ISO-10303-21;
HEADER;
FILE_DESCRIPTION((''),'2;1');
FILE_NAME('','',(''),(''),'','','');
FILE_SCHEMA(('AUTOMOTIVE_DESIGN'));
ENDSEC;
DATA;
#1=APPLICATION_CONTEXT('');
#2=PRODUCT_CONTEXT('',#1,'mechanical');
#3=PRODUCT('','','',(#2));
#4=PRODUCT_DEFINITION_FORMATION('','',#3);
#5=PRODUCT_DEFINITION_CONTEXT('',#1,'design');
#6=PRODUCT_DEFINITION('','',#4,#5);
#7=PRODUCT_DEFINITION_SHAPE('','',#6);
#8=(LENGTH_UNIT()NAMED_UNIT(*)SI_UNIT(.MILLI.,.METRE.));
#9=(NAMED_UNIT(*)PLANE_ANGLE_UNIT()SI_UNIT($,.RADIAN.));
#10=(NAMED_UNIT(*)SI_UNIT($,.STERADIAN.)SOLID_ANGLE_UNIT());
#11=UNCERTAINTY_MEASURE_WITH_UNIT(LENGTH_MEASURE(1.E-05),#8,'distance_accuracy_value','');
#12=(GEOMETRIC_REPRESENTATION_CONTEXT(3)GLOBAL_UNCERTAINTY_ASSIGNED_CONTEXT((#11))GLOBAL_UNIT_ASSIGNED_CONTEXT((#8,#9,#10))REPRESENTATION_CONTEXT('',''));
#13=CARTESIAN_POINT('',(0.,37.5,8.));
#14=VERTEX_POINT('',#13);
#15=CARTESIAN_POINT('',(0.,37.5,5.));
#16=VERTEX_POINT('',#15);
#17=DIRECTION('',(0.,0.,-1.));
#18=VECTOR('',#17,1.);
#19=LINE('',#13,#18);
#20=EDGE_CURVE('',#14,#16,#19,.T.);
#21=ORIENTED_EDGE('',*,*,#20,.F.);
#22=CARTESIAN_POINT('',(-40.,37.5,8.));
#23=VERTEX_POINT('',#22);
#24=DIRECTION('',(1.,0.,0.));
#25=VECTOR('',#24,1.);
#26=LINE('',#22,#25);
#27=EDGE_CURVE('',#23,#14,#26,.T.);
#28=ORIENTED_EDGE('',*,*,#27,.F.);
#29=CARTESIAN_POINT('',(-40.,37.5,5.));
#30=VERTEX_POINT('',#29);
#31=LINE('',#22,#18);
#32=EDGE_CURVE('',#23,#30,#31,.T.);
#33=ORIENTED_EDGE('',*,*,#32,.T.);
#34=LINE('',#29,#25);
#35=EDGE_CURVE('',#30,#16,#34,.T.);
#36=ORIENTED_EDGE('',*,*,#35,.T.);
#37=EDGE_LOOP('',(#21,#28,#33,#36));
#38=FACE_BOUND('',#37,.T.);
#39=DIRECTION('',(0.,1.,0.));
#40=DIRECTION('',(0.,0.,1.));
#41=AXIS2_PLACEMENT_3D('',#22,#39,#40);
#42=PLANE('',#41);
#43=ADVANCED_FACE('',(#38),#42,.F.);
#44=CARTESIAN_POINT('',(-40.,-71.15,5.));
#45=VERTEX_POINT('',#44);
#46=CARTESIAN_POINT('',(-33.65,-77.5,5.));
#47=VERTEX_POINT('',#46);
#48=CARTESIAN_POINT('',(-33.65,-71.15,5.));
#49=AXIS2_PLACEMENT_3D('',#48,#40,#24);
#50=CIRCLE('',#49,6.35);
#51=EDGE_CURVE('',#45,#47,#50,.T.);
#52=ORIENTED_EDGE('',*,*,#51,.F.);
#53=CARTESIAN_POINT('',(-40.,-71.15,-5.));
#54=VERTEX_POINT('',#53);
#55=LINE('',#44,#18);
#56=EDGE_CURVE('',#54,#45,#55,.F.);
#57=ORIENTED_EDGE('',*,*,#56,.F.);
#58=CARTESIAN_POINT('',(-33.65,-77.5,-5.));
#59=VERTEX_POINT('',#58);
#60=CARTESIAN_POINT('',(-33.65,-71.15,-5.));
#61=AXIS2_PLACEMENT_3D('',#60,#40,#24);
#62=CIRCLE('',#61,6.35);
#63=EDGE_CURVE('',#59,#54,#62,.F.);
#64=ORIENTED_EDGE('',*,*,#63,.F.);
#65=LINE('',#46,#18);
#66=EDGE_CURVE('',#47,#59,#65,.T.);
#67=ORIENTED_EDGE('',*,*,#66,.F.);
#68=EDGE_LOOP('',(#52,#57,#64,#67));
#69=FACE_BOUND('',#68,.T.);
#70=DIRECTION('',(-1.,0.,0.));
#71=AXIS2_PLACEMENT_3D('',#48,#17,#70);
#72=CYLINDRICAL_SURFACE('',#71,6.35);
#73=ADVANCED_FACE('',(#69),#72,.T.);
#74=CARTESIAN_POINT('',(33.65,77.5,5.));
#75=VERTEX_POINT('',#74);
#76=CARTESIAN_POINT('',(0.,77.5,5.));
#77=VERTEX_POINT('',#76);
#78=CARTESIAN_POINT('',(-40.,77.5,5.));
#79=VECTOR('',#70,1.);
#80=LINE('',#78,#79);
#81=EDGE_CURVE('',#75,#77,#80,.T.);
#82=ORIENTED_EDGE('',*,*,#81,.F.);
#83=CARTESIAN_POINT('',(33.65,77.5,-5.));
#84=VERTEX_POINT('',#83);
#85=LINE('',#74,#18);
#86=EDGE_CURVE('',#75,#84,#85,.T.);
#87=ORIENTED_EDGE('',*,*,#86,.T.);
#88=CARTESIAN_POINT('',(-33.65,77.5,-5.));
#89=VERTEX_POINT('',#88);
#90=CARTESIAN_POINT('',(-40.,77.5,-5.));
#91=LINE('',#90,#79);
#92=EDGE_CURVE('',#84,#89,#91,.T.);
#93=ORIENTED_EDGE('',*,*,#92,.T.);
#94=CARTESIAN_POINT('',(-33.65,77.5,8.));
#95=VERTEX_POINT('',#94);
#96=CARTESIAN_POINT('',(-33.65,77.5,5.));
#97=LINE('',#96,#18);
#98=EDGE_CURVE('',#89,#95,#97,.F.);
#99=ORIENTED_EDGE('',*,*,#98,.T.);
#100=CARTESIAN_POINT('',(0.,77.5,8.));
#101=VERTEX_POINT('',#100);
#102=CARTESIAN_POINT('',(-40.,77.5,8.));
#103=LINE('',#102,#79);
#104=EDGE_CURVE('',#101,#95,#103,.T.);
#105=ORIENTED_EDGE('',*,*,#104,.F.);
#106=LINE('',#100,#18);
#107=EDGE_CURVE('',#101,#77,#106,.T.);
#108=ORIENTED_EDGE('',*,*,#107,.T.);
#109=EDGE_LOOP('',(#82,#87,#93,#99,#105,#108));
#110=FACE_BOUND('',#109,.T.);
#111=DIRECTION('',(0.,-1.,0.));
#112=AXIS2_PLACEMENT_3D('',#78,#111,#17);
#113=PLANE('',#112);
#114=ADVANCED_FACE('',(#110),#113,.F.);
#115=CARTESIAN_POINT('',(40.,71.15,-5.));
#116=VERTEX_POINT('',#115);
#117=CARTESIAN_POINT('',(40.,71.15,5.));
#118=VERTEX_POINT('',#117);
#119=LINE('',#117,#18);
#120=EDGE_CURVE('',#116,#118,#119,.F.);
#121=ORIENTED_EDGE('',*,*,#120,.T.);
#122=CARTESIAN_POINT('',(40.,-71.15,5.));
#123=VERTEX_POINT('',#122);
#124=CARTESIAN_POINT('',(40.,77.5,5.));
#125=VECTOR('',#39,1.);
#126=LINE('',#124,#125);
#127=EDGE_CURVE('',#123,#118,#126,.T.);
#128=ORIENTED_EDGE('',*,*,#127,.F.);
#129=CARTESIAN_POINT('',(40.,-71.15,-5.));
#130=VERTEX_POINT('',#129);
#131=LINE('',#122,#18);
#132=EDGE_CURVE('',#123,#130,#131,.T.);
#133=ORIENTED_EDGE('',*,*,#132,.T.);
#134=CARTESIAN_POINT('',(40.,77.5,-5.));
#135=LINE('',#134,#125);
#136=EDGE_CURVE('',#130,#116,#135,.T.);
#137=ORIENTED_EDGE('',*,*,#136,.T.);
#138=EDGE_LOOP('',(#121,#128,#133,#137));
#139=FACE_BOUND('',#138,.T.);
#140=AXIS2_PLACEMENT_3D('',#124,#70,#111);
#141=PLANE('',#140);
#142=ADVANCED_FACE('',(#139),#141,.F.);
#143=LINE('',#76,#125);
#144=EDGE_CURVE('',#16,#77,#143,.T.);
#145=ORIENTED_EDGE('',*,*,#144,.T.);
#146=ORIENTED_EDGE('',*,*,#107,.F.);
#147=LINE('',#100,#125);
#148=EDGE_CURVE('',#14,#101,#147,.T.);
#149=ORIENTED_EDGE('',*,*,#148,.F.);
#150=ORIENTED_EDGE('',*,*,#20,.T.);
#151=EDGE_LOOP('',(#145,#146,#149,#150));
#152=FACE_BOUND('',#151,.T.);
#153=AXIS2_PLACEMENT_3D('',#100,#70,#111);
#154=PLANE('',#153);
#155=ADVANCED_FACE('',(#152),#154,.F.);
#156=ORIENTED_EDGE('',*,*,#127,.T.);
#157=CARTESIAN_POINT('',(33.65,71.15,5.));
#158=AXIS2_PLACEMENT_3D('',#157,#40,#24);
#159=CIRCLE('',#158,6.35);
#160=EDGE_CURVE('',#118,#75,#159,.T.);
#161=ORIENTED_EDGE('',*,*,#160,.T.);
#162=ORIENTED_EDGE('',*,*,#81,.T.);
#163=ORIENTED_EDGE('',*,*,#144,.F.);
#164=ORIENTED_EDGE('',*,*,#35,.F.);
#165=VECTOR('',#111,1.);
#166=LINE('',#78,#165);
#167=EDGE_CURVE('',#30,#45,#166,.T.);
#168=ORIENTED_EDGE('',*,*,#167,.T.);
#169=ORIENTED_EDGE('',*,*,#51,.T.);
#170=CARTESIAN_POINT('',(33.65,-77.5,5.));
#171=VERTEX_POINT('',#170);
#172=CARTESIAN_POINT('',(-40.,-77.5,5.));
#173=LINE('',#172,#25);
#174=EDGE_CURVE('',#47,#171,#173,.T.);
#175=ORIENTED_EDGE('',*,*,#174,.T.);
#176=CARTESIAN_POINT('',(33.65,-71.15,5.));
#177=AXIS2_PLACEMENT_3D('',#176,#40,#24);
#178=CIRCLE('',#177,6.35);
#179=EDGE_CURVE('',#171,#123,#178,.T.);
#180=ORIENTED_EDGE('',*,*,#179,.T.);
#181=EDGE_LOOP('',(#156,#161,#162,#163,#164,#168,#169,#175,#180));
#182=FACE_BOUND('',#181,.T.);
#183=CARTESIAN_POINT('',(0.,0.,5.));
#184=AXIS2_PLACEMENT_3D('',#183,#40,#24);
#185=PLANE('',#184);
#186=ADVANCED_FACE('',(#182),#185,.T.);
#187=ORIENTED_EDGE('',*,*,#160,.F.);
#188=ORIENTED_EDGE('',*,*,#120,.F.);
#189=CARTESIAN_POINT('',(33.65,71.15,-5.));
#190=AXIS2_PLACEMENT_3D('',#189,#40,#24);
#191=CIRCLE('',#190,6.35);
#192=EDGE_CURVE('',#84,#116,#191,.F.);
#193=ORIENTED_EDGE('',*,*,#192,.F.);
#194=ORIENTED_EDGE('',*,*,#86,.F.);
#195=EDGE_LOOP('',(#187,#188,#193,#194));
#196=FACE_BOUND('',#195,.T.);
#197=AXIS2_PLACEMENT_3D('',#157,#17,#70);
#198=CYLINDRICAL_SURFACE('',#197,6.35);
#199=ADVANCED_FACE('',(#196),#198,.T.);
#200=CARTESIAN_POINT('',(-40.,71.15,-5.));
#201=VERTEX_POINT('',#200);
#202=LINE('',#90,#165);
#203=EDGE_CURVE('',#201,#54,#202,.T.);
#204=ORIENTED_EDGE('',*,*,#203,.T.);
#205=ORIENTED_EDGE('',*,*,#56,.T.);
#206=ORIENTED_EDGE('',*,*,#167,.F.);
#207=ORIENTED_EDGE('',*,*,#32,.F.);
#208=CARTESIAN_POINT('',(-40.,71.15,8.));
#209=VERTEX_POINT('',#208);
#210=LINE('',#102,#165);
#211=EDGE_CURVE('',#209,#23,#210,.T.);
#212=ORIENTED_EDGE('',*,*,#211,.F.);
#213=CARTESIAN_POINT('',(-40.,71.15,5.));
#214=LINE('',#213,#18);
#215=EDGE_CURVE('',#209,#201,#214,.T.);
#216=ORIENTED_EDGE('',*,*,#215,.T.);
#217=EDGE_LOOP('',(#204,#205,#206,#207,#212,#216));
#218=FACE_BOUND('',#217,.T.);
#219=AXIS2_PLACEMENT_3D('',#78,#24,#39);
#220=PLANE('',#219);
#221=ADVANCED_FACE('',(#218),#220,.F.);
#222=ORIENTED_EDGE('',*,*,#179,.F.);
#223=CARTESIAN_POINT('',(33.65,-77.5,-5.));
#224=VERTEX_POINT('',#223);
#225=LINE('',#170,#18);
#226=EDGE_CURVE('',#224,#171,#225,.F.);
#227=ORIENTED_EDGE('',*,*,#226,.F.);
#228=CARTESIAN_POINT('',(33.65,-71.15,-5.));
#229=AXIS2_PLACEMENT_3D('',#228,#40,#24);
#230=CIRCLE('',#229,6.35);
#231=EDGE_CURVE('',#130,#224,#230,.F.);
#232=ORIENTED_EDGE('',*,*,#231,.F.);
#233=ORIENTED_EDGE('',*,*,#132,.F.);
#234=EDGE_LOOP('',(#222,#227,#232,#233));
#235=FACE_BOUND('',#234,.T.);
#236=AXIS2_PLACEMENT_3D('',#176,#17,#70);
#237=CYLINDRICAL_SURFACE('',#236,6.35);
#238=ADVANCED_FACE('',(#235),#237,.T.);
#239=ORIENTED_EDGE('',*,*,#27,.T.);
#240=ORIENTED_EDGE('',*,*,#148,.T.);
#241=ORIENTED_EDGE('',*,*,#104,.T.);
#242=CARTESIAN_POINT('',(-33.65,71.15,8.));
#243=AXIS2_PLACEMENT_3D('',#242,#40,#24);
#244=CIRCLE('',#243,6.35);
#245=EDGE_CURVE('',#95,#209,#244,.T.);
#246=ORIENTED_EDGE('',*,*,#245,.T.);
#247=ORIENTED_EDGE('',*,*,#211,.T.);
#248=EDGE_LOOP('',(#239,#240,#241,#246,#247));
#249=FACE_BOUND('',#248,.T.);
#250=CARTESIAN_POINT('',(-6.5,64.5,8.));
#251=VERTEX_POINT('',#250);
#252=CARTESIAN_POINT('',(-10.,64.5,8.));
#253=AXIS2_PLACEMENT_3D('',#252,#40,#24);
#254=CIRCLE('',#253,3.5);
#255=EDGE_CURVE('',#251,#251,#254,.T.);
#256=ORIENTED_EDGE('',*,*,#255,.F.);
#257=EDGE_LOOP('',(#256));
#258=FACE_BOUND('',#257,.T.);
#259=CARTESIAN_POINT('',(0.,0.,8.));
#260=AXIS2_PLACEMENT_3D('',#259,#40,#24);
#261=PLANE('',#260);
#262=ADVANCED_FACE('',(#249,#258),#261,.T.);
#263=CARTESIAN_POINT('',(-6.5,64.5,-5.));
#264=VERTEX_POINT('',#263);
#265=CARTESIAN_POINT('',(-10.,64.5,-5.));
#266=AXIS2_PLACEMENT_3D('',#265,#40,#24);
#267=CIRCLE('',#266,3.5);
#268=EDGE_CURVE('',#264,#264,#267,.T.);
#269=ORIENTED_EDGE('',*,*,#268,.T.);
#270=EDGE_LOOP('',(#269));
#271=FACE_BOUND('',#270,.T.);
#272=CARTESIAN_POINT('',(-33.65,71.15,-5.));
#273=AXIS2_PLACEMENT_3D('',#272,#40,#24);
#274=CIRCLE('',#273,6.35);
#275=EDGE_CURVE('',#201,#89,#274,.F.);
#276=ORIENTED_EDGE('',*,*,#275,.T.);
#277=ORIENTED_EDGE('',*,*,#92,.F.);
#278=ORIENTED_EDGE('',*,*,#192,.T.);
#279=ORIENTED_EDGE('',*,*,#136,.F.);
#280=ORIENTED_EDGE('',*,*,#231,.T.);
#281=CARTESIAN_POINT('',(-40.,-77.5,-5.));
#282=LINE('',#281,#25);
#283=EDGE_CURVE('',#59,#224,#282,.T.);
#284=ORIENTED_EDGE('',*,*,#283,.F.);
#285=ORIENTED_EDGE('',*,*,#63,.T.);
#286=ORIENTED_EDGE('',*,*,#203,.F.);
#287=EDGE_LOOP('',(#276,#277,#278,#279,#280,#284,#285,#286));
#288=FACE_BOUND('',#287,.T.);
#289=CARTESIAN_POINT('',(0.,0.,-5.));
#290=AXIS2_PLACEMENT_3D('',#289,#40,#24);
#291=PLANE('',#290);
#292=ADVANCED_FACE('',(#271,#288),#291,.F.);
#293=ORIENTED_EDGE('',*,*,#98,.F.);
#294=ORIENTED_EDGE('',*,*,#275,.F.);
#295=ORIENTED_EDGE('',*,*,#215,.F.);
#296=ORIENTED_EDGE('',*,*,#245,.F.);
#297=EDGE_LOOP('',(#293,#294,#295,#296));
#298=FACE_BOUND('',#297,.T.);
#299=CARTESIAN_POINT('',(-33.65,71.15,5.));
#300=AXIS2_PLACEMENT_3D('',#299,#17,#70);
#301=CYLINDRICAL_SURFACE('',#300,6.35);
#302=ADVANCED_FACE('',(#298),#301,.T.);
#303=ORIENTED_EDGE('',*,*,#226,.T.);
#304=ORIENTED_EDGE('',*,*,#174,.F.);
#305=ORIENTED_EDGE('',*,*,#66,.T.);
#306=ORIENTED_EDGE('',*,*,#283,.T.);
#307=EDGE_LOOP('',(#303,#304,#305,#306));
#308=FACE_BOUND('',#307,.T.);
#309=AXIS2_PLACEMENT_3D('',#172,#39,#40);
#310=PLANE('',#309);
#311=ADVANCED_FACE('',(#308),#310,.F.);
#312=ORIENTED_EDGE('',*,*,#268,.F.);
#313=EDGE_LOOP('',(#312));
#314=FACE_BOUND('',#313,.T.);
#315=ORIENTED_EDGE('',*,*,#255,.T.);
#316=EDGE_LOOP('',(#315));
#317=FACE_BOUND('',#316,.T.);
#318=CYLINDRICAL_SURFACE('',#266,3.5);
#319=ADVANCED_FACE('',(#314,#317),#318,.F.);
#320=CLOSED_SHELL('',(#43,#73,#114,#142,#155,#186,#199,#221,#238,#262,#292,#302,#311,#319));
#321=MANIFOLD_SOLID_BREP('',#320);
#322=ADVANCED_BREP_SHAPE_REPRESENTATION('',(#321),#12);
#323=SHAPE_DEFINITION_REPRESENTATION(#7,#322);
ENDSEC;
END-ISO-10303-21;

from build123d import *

# Parameters (mm, degrees)
SKETCH1_W           = 80
SKETCH1_H           = 155
BOSS_EXTRUDE1_DEPTH = 5
SKETCH2_W           = 40
SKETCH2_H           = 40
BOSS_EXTRUDE2_DEPTH = 3
SKETCH3_R           = 3.5
CUT_EXTRUDE1_DEPTH  = 89.177378051
FILLET1_R           = 6.35


with BuildPart() as part:
    # Sketch1 → Boss-Extrude1 (new, symmetric)
    with BuildSketch(Plane.XY):
        Rectangle(SKETCH1_W, SKETCH1_H)
    extrude(amount=BOSS_EXTRUDE1_DEPTH, both=True)

    # Sketch2 → Boss-Extrude2 (add)
    with BuildSketch(Plane.XY.offset(5)):
        with Locations((-20, 57.5)):
            Rectangle(SKETCH2_W, SKETCH2_H)
    extrude(amount=BOSS_EXTRUDE2_DEPTH)

    # Sketch3 → Cut-Extrude1 (cut, through all)
    with BuildSketch(Plane.XY.offset(8)):
        with Locations((-10, 64.5)):
            Circle(SKETCH3_R)
    extrude(amount=-CUT_EXTRUDE1_DEPTH, mode=Mode.SUBTRACT)

    # Fillet1
    fillet1_edges = [part.edges().sort_by_distance(p)[0] for p in [
        (40, -77.5, 0),
        (-40, -77.5, 0),
        (-40, 77.5, 1.5),
        (40, 77.5, 0),
    ]]
    fillet(fillet1_edges, radius=FILLET1_R)


solid = part.part
